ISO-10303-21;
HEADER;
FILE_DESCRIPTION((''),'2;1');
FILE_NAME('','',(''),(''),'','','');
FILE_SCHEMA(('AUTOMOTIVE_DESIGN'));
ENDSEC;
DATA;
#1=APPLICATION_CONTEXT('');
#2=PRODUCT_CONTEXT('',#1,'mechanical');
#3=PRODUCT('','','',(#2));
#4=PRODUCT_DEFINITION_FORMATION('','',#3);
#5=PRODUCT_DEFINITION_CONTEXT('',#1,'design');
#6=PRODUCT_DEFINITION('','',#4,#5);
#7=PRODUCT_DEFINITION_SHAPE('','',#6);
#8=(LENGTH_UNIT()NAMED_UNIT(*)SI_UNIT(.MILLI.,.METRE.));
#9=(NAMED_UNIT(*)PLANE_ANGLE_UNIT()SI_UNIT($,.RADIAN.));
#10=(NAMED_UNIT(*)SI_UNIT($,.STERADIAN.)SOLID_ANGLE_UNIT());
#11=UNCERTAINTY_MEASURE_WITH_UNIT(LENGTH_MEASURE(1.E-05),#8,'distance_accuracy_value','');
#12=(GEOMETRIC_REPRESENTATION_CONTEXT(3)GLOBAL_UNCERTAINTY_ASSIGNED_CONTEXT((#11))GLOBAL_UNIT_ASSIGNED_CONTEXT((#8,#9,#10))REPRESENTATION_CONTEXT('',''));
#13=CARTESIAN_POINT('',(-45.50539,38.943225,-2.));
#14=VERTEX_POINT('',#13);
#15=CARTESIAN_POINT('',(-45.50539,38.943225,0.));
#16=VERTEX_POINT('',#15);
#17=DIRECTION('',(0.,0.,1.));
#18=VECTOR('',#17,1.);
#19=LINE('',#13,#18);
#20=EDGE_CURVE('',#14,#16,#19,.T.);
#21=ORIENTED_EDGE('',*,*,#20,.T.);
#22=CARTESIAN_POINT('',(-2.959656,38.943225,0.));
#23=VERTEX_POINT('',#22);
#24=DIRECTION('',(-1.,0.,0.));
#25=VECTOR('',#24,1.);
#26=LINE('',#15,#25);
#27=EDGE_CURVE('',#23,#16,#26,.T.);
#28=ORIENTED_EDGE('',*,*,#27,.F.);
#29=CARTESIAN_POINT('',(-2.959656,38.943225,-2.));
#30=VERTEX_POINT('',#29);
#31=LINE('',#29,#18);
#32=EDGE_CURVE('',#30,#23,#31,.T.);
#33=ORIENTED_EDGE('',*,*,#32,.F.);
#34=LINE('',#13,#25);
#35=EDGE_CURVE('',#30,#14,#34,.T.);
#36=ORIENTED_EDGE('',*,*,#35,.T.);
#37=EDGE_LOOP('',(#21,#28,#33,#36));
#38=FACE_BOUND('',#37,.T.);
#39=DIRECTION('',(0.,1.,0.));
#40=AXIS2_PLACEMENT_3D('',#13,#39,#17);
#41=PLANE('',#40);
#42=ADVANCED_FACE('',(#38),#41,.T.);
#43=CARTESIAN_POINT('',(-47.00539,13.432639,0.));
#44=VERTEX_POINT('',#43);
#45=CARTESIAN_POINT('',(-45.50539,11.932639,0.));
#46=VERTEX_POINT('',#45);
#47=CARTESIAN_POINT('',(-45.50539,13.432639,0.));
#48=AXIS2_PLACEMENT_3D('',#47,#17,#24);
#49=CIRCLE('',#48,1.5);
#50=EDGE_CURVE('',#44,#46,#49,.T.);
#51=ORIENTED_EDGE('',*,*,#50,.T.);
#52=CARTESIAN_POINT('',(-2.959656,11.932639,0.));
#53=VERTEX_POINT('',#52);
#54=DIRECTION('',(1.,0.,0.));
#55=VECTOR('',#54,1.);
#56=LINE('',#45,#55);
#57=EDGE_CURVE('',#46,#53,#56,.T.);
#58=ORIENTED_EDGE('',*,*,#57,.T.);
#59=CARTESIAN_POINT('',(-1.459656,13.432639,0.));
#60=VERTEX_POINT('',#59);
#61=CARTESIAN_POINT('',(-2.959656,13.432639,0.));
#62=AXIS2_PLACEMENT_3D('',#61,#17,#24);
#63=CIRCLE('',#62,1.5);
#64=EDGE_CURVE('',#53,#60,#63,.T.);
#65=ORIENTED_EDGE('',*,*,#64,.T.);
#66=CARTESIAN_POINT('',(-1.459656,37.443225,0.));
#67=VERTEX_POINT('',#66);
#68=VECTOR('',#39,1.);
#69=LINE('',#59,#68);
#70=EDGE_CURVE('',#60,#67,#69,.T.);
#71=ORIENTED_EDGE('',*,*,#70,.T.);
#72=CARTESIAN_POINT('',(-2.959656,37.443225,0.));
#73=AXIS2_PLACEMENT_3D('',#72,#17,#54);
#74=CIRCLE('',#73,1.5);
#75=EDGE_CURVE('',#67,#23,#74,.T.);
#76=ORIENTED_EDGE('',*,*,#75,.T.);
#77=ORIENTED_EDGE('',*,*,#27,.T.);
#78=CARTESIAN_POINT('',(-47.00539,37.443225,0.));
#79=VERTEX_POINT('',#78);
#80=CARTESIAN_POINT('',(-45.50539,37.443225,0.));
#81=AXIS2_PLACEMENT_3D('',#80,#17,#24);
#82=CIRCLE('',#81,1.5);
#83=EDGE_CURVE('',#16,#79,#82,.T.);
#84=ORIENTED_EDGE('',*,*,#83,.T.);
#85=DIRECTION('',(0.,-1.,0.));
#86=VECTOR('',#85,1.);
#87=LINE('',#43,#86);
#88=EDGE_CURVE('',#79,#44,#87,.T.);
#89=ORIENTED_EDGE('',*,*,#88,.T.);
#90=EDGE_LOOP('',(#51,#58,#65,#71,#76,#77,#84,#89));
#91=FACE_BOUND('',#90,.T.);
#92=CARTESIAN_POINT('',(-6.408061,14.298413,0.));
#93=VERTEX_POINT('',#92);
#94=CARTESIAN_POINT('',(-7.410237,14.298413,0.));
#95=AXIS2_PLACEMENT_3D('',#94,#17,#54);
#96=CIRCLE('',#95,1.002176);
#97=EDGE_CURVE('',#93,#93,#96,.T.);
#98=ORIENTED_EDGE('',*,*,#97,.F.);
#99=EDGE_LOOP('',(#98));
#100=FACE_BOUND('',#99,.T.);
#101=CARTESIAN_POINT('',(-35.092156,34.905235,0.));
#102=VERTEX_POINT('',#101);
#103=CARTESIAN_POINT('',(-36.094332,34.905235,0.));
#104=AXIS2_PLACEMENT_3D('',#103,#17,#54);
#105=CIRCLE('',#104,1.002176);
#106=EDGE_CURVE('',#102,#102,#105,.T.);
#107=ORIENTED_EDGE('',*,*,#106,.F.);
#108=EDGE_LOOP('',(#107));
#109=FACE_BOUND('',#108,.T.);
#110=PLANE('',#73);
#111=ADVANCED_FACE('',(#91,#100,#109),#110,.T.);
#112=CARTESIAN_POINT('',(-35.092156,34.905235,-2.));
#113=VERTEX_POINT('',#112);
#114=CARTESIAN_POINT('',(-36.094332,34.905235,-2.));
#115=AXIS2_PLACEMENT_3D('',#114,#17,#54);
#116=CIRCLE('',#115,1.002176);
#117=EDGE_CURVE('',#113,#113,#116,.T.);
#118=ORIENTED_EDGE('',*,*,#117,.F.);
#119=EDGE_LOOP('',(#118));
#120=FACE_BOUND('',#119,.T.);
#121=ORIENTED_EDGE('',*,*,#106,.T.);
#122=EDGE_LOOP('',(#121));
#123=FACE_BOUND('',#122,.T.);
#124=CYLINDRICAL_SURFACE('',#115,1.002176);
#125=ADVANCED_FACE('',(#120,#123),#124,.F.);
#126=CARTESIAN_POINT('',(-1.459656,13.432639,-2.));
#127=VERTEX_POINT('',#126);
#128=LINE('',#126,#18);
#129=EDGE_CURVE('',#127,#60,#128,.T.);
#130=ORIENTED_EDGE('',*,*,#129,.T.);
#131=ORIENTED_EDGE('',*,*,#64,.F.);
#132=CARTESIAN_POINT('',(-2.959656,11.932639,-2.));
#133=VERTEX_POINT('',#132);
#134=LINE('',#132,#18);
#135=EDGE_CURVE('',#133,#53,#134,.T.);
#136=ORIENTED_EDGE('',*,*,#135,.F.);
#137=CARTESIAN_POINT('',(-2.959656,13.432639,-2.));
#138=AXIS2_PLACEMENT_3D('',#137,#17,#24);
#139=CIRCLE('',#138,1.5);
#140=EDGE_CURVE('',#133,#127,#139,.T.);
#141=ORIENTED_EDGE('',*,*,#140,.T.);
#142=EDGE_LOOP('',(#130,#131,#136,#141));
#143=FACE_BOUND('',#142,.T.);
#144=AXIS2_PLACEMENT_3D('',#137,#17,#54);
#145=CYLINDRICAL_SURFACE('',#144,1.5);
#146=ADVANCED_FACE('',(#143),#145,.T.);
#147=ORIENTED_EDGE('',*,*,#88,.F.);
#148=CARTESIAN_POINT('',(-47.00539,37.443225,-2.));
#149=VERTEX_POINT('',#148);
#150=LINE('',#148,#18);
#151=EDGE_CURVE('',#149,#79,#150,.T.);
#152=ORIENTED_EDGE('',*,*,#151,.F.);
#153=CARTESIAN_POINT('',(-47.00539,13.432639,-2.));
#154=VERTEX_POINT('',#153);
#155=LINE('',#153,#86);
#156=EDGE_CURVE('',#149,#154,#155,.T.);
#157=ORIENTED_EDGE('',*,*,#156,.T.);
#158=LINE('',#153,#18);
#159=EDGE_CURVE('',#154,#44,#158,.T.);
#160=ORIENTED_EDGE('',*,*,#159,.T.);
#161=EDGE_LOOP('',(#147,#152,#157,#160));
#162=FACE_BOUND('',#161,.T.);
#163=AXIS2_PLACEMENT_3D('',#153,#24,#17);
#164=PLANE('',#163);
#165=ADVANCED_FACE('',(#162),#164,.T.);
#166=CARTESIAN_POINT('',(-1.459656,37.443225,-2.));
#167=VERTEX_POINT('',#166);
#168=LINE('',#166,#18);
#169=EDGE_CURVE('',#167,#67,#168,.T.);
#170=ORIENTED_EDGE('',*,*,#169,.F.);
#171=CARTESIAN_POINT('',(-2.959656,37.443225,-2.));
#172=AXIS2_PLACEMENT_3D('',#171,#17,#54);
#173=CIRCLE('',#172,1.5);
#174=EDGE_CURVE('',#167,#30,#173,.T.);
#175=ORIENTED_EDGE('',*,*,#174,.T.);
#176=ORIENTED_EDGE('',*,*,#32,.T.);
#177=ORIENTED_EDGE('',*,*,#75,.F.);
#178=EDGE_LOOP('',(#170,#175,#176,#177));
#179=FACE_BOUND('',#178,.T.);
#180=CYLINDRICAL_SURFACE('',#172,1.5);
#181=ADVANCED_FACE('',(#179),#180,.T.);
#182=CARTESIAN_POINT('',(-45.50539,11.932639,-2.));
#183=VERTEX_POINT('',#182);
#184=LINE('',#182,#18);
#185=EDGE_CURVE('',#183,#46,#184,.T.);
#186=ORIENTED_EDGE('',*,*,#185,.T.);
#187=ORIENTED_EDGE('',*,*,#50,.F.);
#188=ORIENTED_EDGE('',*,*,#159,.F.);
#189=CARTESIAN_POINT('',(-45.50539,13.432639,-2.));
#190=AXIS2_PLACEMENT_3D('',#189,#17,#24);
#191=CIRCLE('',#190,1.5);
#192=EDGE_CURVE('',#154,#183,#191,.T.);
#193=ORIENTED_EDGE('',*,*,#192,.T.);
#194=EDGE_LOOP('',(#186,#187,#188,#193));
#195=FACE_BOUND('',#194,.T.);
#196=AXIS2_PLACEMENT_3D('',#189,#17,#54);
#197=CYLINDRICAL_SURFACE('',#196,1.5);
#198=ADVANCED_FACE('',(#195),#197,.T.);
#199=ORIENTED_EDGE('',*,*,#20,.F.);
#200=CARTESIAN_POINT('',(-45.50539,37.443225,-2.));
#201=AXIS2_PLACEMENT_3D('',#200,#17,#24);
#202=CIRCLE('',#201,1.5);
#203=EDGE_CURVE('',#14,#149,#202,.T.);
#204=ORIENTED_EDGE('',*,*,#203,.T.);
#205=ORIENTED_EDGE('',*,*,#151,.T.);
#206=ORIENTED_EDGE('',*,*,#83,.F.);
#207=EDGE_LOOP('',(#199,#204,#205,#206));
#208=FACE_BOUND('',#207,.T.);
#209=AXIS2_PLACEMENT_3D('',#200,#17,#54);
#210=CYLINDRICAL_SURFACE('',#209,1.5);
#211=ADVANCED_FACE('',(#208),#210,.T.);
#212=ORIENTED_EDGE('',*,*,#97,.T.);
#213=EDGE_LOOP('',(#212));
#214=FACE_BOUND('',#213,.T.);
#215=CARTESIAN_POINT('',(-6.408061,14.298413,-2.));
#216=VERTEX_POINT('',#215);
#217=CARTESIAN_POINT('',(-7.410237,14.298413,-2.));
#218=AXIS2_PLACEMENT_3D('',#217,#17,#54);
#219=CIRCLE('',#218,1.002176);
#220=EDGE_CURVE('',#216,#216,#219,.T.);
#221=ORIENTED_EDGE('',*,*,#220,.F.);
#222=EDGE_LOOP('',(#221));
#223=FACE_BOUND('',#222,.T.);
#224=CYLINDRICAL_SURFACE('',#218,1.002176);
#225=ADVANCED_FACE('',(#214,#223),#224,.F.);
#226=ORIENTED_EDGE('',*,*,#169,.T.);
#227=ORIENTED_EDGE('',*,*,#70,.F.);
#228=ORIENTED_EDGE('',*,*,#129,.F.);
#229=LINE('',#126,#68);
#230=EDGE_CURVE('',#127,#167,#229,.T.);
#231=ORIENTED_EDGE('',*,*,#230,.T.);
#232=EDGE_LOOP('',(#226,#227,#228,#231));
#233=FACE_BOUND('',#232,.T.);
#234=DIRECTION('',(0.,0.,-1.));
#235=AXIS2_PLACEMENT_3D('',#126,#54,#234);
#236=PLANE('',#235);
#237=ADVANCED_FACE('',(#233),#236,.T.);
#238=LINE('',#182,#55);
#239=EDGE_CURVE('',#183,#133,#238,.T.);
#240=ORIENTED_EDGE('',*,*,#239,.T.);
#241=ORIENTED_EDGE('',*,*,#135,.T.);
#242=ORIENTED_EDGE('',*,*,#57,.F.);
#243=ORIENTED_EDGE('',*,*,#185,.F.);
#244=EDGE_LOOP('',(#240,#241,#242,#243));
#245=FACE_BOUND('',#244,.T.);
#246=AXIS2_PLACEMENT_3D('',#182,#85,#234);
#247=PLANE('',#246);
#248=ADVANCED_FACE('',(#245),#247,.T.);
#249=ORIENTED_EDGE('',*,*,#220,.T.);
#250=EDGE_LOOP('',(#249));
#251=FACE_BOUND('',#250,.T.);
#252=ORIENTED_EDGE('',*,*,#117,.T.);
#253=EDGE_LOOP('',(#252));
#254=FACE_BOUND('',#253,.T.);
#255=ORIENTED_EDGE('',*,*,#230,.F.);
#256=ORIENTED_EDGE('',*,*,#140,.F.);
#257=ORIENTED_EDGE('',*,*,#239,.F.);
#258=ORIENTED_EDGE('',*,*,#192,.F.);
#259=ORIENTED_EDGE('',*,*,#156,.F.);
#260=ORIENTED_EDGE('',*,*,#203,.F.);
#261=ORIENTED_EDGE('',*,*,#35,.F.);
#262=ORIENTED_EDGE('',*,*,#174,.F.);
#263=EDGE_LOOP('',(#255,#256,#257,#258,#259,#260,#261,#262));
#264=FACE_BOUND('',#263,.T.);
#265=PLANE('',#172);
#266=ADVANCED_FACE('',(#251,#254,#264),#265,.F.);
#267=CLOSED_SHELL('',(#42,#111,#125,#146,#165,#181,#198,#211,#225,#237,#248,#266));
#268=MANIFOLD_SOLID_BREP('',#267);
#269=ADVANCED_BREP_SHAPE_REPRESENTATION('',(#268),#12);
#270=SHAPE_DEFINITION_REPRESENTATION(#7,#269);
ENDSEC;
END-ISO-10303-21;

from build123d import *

# Parameters (mm, degrees)
SKETCH1_R           = 1.002175573
BOSS_EXTRUDE1_DEPTH = 2


with BuildPart() as part:
    # Sketch1 → Boss-Extrude1 (new body)
    with BuildSketch(Plane.XY):
        with BuildLine():
            Line((-45.505390048, 11.932639401), (-2.959655608, 11.932639401))
            ThreePointArc((-2.959655608, 11.932639401), (-1.898995436, 12.371979229), (-1.459655608, 13.432639401))
            Line((-1.459655608, 13.432639401), (-1.459655608, 37.443224784))
            ThreePointArc((-1.459655608, 37.443224784), (-1.898995436, 38.503884956), (-2.959655608, 38.943224784))
            Line((-2.959655608, 38.943224784), (-45.505390048, 38.943224784))
            ThreePointArc((-45.505390048, 38.943224784), (-46.56605022, 38.503884956), (-47.005390048, 37.443224784))
            Line((-47.005390048, 37.443224784), (-47.005390048, 13.432639401))
            ThreePointArc((-47.005390048, 13.432639401), (-46.56605022, 12.371979229), (-45.505390048, 11.932639401))
        make_face()
        with Locations((-36.094331879, 34.905234601)):
            Circle(SKETCH1_R, mode=Mode.SUBTRACT)
        with Locations((-7.410237048, 14.298412667)):
            Circle(SKETCH1_R, mode=Mode.SUBTRACT)
    extrude(amount=-BOSS_EXTRUDE1_DEPTH)


solid = part.part
